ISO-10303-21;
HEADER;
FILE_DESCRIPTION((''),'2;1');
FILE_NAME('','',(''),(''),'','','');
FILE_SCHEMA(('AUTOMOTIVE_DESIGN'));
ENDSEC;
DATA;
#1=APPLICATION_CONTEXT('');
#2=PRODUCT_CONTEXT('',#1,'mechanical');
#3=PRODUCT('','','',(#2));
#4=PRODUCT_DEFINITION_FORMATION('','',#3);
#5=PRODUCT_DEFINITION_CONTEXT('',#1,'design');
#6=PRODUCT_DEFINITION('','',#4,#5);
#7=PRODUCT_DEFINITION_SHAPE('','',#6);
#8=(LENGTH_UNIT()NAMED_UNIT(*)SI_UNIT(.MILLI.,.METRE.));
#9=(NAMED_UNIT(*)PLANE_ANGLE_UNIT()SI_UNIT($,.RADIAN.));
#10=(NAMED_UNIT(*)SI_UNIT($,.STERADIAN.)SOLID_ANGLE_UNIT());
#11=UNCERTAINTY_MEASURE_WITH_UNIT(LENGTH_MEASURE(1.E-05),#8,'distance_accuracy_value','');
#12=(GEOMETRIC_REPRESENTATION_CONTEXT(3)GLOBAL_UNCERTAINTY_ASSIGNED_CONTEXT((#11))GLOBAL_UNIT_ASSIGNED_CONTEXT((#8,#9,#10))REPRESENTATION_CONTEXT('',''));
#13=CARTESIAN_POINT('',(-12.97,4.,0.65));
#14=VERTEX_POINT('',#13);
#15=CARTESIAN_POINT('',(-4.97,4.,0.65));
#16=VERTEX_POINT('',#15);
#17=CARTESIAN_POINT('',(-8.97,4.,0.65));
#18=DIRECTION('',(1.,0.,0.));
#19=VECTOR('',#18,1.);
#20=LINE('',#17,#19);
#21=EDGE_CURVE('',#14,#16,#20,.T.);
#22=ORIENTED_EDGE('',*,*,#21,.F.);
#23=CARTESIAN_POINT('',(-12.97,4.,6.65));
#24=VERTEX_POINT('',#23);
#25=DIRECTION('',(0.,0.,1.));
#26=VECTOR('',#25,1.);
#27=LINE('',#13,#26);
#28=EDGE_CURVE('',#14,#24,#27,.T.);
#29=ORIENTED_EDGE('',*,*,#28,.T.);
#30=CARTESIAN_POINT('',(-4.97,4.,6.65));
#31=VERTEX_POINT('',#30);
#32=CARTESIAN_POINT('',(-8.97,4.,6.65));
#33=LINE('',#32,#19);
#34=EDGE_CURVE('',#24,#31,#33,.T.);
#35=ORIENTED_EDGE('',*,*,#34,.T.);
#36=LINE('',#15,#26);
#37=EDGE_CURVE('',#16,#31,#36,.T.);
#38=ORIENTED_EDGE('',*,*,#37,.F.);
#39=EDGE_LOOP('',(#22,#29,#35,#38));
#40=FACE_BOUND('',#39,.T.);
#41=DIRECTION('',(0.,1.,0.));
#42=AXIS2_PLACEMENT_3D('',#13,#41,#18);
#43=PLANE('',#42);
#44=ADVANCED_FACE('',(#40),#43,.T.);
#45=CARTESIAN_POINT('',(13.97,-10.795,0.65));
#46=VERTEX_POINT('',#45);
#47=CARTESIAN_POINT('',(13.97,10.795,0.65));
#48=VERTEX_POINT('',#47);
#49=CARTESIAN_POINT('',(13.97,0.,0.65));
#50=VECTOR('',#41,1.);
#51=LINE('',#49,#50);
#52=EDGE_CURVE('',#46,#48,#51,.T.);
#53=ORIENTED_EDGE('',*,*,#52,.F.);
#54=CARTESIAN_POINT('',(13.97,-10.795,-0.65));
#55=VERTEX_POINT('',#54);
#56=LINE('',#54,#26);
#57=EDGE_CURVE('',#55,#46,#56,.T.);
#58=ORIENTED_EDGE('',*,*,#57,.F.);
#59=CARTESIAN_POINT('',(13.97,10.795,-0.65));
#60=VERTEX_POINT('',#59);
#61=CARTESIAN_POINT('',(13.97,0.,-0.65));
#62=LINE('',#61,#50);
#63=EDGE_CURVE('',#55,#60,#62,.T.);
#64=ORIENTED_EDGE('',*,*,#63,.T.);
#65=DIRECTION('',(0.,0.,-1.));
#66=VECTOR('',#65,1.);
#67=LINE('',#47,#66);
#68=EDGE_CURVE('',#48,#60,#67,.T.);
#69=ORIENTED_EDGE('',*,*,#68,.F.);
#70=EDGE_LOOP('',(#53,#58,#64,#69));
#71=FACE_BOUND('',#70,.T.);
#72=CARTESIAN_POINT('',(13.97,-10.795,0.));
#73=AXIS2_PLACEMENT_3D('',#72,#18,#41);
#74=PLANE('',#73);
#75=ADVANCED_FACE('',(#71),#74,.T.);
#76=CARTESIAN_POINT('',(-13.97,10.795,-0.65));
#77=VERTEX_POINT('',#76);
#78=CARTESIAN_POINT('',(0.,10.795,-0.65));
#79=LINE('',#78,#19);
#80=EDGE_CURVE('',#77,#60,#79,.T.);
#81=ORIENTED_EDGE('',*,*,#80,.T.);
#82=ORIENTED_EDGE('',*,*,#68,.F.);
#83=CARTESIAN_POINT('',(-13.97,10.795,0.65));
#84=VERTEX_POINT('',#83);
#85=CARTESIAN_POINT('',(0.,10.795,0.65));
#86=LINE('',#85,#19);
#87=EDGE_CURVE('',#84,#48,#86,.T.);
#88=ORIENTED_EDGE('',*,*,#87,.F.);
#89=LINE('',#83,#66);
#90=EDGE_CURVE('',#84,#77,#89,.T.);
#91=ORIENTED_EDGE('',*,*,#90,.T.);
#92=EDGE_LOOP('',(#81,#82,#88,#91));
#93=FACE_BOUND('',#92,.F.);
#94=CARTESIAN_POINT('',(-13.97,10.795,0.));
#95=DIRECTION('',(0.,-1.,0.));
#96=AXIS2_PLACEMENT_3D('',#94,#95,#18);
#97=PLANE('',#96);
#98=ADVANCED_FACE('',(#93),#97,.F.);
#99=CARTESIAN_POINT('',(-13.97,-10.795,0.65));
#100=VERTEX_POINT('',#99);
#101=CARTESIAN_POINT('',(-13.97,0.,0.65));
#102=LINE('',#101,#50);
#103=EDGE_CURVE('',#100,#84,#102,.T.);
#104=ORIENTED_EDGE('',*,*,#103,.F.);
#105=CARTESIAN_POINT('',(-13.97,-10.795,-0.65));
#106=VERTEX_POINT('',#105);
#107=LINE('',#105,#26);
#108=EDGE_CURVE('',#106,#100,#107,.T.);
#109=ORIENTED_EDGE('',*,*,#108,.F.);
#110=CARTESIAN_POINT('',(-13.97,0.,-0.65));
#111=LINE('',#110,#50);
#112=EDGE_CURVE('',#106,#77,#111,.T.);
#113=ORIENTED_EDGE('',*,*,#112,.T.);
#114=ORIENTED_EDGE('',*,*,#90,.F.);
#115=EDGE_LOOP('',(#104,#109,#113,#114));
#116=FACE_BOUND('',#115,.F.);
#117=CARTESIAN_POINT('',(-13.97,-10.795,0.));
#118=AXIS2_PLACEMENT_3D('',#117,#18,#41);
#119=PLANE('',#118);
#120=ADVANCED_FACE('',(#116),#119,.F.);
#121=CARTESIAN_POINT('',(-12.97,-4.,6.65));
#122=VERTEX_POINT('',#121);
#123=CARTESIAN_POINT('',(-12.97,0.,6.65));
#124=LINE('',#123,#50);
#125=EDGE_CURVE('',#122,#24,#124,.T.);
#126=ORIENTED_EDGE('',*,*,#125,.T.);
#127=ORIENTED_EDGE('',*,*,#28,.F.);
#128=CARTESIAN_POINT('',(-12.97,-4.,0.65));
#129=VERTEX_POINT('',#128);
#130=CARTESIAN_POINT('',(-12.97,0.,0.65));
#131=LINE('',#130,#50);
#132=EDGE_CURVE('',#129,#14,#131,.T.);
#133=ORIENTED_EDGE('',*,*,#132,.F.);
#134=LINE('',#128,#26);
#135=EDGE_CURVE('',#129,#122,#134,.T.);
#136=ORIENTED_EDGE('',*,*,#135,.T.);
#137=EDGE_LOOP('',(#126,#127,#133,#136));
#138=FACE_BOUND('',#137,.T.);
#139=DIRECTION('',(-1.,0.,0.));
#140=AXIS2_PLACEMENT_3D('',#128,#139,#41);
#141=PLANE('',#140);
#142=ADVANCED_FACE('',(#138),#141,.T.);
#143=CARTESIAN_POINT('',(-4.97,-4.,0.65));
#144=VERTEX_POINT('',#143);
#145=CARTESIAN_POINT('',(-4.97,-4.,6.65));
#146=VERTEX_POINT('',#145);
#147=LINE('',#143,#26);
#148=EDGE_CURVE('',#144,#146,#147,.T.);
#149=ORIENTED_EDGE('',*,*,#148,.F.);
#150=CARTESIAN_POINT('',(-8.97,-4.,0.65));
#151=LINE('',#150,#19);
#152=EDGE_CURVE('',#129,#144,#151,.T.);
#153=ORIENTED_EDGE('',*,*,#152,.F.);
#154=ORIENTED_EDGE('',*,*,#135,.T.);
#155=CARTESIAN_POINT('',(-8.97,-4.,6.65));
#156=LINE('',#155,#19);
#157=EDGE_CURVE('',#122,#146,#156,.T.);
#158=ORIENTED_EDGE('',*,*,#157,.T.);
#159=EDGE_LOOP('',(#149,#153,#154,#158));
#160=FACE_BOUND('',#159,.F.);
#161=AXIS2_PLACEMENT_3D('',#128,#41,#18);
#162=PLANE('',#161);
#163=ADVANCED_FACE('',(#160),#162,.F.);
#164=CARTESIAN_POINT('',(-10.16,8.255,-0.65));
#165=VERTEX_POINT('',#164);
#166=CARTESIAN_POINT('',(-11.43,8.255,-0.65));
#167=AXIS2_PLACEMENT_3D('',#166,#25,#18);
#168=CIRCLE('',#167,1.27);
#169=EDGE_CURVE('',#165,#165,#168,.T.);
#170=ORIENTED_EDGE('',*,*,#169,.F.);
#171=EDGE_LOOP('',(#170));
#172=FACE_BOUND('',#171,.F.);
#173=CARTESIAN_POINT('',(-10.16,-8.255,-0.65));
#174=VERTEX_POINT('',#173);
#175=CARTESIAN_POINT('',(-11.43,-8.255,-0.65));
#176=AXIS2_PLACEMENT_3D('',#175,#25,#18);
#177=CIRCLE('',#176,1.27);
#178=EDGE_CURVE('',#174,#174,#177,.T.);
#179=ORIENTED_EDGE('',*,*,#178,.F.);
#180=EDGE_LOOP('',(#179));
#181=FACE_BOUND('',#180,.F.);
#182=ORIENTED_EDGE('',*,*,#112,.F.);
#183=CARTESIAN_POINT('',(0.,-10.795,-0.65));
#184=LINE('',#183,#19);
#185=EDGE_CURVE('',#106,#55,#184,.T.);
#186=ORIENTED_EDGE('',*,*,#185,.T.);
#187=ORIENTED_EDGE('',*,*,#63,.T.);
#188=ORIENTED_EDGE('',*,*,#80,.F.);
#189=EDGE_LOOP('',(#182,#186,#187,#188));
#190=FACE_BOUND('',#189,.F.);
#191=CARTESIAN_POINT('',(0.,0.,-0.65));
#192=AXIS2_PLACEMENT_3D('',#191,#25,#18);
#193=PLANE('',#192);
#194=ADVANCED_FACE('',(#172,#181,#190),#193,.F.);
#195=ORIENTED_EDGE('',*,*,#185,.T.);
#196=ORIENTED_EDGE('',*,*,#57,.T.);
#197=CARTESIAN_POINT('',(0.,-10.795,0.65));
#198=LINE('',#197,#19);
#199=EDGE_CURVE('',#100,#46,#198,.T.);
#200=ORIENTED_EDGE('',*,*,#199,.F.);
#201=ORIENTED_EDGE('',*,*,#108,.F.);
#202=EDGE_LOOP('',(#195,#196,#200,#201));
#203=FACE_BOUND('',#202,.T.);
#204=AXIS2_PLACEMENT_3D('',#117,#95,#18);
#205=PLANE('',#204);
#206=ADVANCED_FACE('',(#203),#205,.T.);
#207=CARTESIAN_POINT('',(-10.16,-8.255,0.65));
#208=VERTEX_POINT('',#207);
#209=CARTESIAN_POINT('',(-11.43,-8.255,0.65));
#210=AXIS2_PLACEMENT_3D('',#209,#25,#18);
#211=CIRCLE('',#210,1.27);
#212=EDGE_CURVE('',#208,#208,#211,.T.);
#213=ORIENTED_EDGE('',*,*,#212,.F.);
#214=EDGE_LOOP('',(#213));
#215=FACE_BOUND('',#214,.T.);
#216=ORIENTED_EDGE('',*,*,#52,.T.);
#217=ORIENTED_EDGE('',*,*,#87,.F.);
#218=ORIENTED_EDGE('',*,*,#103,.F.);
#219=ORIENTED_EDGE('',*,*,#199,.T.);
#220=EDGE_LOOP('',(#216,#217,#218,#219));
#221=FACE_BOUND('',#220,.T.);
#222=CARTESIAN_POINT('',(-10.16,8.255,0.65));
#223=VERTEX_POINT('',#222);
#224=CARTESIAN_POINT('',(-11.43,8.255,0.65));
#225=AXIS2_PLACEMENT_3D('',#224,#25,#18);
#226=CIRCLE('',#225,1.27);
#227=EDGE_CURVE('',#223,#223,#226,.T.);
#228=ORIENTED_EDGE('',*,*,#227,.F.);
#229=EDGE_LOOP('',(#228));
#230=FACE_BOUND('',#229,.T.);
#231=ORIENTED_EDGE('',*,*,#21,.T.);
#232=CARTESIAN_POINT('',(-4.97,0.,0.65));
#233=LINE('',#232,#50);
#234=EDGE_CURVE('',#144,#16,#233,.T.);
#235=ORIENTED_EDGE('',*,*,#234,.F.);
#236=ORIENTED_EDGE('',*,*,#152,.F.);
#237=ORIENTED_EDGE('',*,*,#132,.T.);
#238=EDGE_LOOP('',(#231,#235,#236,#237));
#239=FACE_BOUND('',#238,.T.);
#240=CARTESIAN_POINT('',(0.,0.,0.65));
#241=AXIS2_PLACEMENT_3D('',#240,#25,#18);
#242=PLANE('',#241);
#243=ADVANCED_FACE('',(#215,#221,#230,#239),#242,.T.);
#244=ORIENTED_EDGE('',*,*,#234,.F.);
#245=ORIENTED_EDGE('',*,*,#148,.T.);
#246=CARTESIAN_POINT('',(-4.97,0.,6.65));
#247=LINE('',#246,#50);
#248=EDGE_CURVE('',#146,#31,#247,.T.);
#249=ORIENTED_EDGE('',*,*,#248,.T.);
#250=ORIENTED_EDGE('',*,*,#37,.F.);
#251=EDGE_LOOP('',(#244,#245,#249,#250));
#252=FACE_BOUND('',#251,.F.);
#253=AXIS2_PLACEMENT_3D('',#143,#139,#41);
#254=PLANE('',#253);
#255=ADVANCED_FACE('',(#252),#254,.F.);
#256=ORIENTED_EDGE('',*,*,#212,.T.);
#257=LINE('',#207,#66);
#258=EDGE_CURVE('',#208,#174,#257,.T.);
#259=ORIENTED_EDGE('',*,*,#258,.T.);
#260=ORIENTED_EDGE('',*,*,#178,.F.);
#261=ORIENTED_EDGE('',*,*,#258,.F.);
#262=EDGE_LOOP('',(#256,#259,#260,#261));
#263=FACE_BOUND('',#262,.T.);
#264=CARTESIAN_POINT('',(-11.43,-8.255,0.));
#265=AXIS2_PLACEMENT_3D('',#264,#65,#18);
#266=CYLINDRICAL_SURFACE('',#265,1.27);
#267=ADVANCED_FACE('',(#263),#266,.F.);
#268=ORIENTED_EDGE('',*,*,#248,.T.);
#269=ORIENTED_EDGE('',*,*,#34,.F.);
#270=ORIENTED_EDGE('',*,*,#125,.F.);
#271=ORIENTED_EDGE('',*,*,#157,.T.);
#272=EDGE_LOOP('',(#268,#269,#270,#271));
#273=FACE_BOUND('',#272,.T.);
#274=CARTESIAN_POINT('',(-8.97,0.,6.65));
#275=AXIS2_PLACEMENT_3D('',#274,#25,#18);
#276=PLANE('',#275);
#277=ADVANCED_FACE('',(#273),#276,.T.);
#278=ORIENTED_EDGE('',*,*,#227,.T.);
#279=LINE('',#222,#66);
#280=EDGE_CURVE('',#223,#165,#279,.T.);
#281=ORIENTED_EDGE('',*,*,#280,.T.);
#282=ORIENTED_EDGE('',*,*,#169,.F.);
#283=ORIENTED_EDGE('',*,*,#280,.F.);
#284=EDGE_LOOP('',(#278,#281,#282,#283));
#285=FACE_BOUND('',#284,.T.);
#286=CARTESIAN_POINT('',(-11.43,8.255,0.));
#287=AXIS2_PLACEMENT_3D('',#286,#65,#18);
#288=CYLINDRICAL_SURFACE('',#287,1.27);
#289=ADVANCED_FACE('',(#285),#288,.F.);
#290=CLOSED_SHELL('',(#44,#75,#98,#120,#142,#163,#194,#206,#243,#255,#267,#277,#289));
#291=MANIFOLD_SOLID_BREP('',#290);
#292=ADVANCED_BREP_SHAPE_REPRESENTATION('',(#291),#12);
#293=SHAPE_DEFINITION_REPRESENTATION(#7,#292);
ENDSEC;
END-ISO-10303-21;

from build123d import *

# Parameters (mm, degrees)
F0_W     = 27.94
F0_H     = 21.59
F0_R     = 1.27
F1_DEPTH = 0.65
F2_W     = 8
F2_H     = 8
F3_DEPTH = 6


with BuildPart() as f1:
    # F0 (on Top) → F1 (new body, symmetric)
    with BuildSketch(Plane.XY):
        Rectangle(F0_W, F0_H)
        with Locations((-11.43, -8.255)):
            Circle(F0_R, mode=Mode.SUBTRACT)
        with Locations((-11.43, 8.255)):
            Circle(F0_R, mode=Mode.SUBTRACT)
    extrude(amount=F1_DEPTH, both=True)

    # F2 (on face) → F3 (join)
    with BuildSketch(Plane.XY.offset(0.65)):
        with Locations((-8.97, 0)):
            Rectangle(F2_W, F2_H)
    extrude(amount=F3_DEPTH)


solid = f1.part
